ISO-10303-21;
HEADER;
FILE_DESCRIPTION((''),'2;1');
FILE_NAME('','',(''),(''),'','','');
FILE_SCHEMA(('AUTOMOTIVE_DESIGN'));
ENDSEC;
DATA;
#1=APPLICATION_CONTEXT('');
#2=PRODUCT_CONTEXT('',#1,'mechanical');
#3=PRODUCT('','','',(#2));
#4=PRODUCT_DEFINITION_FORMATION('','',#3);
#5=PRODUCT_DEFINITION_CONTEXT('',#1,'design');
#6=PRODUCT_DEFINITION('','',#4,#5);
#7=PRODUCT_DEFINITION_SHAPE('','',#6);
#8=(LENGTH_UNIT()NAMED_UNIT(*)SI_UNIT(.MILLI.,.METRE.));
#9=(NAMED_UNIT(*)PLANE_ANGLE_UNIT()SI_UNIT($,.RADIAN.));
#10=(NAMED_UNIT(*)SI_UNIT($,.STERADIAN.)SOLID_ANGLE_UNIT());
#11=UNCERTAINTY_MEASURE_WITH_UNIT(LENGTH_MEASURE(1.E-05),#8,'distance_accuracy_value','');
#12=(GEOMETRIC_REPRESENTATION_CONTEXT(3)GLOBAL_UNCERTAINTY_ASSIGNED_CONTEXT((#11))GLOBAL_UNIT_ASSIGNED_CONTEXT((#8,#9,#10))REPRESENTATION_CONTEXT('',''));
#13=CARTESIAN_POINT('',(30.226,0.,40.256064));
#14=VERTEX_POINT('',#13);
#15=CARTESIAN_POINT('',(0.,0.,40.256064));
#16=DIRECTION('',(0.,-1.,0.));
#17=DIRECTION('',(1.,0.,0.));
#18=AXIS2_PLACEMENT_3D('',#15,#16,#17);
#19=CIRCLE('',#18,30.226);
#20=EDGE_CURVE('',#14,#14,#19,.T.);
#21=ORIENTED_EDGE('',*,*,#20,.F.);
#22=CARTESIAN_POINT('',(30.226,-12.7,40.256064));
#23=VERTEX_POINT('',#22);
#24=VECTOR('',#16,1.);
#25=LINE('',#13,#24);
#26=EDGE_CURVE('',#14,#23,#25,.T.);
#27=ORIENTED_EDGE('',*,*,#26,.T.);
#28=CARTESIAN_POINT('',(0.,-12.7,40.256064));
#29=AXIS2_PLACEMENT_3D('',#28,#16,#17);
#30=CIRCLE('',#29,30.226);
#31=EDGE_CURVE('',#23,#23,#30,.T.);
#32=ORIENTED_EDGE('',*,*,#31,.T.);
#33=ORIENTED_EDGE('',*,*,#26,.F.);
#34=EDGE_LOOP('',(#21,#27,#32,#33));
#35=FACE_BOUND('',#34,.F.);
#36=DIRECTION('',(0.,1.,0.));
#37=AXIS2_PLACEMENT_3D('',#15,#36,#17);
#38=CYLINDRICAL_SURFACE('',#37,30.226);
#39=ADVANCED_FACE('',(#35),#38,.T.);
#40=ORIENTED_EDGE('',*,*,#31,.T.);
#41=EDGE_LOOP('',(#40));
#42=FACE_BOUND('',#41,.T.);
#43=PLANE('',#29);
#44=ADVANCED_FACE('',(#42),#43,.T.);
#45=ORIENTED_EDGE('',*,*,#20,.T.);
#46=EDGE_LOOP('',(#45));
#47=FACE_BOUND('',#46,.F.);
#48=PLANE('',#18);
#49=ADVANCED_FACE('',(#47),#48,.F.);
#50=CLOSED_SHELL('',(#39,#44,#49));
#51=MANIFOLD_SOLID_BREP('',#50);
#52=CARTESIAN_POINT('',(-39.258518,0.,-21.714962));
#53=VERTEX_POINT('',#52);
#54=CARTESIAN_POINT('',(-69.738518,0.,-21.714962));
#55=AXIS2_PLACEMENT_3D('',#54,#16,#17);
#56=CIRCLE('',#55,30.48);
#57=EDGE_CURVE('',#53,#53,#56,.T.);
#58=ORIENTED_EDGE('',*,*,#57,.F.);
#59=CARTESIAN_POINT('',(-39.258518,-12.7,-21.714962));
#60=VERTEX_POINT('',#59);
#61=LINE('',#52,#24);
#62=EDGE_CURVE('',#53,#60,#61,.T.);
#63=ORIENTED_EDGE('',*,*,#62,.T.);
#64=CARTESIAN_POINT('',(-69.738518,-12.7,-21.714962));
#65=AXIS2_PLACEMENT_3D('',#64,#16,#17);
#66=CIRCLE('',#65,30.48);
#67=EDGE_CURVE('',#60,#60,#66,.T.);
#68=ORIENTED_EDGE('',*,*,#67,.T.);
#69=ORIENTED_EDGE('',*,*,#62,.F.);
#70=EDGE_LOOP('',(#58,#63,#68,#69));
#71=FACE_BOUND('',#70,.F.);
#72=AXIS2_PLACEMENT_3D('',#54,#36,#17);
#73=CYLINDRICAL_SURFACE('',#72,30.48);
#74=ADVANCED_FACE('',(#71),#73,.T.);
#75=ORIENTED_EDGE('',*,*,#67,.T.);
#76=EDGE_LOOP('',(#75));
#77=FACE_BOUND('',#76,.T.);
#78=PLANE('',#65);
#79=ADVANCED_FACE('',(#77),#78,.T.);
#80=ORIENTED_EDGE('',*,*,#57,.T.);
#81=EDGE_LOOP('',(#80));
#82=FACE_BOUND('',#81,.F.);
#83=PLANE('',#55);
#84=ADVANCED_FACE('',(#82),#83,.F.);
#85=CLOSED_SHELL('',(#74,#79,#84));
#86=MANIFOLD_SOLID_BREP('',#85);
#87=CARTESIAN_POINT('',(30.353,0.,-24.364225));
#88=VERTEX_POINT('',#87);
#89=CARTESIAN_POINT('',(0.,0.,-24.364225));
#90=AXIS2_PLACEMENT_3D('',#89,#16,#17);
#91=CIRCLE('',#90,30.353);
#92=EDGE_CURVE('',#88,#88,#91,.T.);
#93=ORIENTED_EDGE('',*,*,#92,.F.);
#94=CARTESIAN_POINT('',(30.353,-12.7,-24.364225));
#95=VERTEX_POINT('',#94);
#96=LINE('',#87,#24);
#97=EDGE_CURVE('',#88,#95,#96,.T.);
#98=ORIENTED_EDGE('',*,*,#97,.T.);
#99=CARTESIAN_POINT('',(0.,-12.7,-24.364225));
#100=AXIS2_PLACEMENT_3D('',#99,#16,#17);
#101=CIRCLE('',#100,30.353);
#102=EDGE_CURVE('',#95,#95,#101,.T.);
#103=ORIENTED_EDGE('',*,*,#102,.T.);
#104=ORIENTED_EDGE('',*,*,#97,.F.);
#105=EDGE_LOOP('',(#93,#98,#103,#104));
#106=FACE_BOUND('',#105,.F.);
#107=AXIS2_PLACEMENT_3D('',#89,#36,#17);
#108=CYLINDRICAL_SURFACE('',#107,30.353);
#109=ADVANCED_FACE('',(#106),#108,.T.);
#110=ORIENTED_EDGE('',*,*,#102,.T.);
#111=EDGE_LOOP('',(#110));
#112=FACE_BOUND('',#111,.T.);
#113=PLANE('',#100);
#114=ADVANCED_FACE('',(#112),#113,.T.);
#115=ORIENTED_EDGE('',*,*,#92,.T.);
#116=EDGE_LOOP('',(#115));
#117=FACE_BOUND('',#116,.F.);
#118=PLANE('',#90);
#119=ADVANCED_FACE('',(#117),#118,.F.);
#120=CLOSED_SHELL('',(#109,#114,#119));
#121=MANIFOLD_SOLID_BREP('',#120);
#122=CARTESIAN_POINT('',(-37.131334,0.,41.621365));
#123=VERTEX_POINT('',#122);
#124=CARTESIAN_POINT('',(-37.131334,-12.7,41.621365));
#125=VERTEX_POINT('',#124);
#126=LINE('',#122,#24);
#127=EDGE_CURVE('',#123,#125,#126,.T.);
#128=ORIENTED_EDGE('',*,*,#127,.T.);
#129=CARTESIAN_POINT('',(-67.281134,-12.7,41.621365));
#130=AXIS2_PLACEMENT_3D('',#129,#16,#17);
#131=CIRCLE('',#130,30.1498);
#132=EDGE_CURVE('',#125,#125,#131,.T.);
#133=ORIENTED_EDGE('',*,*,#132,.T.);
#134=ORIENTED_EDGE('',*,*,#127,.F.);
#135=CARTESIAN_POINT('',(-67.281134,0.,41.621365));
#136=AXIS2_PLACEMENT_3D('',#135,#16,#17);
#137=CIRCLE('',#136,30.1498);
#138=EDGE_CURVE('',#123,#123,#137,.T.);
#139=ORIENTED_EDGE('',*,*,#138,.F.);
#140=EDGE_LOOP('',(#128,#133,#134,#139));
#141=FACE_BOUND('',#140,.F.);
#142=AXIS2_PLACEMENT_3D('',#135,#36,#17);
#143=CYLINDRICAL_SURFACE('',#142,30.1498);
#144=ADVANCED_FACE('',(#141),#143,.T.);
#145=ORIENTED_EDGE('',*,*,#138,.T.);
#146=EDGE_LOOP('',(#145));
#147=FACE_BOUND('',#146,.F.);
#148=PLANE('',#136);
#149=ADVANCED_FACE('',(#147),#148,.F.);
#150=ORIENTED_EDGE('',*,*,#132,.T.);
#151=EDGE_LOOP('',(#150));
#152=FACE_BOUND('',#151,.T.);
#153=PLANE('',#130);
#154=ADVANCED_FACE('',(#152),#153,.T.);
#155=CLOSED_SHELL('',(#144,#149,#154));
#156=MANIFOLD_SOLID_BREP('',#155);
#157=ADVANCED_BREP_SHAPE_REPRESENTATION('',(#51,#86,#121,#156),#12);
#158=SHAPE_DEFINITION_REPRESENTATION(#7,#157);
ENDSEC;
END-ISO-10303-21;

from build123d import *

# Parameters (mm, degrees)
F0_R     = 30.1498
F0_R_2   = 30.48
F0_R_3   = 30.226
F0_R_4   = 30.353
F1_DEPTH = 12.7


with BuildPart() as f1:
    # F0 (on Front) → F1 (new body)
    with BuildSketch(Plane.XZ):
        with Locations((-67.281134, 41.621365)):
            Circle(F0_R)
        with Locations((-69.738518, -21.714962)):
            Circle(F0_R_2)
        with Locations((0, 40.256064)):
            Circle(F0_R_3)
        with Locations((0, -24.364225)):
            Circle(F0_R_4)
    extrude(amount=F1_DEPTH)


solid = f1.part
